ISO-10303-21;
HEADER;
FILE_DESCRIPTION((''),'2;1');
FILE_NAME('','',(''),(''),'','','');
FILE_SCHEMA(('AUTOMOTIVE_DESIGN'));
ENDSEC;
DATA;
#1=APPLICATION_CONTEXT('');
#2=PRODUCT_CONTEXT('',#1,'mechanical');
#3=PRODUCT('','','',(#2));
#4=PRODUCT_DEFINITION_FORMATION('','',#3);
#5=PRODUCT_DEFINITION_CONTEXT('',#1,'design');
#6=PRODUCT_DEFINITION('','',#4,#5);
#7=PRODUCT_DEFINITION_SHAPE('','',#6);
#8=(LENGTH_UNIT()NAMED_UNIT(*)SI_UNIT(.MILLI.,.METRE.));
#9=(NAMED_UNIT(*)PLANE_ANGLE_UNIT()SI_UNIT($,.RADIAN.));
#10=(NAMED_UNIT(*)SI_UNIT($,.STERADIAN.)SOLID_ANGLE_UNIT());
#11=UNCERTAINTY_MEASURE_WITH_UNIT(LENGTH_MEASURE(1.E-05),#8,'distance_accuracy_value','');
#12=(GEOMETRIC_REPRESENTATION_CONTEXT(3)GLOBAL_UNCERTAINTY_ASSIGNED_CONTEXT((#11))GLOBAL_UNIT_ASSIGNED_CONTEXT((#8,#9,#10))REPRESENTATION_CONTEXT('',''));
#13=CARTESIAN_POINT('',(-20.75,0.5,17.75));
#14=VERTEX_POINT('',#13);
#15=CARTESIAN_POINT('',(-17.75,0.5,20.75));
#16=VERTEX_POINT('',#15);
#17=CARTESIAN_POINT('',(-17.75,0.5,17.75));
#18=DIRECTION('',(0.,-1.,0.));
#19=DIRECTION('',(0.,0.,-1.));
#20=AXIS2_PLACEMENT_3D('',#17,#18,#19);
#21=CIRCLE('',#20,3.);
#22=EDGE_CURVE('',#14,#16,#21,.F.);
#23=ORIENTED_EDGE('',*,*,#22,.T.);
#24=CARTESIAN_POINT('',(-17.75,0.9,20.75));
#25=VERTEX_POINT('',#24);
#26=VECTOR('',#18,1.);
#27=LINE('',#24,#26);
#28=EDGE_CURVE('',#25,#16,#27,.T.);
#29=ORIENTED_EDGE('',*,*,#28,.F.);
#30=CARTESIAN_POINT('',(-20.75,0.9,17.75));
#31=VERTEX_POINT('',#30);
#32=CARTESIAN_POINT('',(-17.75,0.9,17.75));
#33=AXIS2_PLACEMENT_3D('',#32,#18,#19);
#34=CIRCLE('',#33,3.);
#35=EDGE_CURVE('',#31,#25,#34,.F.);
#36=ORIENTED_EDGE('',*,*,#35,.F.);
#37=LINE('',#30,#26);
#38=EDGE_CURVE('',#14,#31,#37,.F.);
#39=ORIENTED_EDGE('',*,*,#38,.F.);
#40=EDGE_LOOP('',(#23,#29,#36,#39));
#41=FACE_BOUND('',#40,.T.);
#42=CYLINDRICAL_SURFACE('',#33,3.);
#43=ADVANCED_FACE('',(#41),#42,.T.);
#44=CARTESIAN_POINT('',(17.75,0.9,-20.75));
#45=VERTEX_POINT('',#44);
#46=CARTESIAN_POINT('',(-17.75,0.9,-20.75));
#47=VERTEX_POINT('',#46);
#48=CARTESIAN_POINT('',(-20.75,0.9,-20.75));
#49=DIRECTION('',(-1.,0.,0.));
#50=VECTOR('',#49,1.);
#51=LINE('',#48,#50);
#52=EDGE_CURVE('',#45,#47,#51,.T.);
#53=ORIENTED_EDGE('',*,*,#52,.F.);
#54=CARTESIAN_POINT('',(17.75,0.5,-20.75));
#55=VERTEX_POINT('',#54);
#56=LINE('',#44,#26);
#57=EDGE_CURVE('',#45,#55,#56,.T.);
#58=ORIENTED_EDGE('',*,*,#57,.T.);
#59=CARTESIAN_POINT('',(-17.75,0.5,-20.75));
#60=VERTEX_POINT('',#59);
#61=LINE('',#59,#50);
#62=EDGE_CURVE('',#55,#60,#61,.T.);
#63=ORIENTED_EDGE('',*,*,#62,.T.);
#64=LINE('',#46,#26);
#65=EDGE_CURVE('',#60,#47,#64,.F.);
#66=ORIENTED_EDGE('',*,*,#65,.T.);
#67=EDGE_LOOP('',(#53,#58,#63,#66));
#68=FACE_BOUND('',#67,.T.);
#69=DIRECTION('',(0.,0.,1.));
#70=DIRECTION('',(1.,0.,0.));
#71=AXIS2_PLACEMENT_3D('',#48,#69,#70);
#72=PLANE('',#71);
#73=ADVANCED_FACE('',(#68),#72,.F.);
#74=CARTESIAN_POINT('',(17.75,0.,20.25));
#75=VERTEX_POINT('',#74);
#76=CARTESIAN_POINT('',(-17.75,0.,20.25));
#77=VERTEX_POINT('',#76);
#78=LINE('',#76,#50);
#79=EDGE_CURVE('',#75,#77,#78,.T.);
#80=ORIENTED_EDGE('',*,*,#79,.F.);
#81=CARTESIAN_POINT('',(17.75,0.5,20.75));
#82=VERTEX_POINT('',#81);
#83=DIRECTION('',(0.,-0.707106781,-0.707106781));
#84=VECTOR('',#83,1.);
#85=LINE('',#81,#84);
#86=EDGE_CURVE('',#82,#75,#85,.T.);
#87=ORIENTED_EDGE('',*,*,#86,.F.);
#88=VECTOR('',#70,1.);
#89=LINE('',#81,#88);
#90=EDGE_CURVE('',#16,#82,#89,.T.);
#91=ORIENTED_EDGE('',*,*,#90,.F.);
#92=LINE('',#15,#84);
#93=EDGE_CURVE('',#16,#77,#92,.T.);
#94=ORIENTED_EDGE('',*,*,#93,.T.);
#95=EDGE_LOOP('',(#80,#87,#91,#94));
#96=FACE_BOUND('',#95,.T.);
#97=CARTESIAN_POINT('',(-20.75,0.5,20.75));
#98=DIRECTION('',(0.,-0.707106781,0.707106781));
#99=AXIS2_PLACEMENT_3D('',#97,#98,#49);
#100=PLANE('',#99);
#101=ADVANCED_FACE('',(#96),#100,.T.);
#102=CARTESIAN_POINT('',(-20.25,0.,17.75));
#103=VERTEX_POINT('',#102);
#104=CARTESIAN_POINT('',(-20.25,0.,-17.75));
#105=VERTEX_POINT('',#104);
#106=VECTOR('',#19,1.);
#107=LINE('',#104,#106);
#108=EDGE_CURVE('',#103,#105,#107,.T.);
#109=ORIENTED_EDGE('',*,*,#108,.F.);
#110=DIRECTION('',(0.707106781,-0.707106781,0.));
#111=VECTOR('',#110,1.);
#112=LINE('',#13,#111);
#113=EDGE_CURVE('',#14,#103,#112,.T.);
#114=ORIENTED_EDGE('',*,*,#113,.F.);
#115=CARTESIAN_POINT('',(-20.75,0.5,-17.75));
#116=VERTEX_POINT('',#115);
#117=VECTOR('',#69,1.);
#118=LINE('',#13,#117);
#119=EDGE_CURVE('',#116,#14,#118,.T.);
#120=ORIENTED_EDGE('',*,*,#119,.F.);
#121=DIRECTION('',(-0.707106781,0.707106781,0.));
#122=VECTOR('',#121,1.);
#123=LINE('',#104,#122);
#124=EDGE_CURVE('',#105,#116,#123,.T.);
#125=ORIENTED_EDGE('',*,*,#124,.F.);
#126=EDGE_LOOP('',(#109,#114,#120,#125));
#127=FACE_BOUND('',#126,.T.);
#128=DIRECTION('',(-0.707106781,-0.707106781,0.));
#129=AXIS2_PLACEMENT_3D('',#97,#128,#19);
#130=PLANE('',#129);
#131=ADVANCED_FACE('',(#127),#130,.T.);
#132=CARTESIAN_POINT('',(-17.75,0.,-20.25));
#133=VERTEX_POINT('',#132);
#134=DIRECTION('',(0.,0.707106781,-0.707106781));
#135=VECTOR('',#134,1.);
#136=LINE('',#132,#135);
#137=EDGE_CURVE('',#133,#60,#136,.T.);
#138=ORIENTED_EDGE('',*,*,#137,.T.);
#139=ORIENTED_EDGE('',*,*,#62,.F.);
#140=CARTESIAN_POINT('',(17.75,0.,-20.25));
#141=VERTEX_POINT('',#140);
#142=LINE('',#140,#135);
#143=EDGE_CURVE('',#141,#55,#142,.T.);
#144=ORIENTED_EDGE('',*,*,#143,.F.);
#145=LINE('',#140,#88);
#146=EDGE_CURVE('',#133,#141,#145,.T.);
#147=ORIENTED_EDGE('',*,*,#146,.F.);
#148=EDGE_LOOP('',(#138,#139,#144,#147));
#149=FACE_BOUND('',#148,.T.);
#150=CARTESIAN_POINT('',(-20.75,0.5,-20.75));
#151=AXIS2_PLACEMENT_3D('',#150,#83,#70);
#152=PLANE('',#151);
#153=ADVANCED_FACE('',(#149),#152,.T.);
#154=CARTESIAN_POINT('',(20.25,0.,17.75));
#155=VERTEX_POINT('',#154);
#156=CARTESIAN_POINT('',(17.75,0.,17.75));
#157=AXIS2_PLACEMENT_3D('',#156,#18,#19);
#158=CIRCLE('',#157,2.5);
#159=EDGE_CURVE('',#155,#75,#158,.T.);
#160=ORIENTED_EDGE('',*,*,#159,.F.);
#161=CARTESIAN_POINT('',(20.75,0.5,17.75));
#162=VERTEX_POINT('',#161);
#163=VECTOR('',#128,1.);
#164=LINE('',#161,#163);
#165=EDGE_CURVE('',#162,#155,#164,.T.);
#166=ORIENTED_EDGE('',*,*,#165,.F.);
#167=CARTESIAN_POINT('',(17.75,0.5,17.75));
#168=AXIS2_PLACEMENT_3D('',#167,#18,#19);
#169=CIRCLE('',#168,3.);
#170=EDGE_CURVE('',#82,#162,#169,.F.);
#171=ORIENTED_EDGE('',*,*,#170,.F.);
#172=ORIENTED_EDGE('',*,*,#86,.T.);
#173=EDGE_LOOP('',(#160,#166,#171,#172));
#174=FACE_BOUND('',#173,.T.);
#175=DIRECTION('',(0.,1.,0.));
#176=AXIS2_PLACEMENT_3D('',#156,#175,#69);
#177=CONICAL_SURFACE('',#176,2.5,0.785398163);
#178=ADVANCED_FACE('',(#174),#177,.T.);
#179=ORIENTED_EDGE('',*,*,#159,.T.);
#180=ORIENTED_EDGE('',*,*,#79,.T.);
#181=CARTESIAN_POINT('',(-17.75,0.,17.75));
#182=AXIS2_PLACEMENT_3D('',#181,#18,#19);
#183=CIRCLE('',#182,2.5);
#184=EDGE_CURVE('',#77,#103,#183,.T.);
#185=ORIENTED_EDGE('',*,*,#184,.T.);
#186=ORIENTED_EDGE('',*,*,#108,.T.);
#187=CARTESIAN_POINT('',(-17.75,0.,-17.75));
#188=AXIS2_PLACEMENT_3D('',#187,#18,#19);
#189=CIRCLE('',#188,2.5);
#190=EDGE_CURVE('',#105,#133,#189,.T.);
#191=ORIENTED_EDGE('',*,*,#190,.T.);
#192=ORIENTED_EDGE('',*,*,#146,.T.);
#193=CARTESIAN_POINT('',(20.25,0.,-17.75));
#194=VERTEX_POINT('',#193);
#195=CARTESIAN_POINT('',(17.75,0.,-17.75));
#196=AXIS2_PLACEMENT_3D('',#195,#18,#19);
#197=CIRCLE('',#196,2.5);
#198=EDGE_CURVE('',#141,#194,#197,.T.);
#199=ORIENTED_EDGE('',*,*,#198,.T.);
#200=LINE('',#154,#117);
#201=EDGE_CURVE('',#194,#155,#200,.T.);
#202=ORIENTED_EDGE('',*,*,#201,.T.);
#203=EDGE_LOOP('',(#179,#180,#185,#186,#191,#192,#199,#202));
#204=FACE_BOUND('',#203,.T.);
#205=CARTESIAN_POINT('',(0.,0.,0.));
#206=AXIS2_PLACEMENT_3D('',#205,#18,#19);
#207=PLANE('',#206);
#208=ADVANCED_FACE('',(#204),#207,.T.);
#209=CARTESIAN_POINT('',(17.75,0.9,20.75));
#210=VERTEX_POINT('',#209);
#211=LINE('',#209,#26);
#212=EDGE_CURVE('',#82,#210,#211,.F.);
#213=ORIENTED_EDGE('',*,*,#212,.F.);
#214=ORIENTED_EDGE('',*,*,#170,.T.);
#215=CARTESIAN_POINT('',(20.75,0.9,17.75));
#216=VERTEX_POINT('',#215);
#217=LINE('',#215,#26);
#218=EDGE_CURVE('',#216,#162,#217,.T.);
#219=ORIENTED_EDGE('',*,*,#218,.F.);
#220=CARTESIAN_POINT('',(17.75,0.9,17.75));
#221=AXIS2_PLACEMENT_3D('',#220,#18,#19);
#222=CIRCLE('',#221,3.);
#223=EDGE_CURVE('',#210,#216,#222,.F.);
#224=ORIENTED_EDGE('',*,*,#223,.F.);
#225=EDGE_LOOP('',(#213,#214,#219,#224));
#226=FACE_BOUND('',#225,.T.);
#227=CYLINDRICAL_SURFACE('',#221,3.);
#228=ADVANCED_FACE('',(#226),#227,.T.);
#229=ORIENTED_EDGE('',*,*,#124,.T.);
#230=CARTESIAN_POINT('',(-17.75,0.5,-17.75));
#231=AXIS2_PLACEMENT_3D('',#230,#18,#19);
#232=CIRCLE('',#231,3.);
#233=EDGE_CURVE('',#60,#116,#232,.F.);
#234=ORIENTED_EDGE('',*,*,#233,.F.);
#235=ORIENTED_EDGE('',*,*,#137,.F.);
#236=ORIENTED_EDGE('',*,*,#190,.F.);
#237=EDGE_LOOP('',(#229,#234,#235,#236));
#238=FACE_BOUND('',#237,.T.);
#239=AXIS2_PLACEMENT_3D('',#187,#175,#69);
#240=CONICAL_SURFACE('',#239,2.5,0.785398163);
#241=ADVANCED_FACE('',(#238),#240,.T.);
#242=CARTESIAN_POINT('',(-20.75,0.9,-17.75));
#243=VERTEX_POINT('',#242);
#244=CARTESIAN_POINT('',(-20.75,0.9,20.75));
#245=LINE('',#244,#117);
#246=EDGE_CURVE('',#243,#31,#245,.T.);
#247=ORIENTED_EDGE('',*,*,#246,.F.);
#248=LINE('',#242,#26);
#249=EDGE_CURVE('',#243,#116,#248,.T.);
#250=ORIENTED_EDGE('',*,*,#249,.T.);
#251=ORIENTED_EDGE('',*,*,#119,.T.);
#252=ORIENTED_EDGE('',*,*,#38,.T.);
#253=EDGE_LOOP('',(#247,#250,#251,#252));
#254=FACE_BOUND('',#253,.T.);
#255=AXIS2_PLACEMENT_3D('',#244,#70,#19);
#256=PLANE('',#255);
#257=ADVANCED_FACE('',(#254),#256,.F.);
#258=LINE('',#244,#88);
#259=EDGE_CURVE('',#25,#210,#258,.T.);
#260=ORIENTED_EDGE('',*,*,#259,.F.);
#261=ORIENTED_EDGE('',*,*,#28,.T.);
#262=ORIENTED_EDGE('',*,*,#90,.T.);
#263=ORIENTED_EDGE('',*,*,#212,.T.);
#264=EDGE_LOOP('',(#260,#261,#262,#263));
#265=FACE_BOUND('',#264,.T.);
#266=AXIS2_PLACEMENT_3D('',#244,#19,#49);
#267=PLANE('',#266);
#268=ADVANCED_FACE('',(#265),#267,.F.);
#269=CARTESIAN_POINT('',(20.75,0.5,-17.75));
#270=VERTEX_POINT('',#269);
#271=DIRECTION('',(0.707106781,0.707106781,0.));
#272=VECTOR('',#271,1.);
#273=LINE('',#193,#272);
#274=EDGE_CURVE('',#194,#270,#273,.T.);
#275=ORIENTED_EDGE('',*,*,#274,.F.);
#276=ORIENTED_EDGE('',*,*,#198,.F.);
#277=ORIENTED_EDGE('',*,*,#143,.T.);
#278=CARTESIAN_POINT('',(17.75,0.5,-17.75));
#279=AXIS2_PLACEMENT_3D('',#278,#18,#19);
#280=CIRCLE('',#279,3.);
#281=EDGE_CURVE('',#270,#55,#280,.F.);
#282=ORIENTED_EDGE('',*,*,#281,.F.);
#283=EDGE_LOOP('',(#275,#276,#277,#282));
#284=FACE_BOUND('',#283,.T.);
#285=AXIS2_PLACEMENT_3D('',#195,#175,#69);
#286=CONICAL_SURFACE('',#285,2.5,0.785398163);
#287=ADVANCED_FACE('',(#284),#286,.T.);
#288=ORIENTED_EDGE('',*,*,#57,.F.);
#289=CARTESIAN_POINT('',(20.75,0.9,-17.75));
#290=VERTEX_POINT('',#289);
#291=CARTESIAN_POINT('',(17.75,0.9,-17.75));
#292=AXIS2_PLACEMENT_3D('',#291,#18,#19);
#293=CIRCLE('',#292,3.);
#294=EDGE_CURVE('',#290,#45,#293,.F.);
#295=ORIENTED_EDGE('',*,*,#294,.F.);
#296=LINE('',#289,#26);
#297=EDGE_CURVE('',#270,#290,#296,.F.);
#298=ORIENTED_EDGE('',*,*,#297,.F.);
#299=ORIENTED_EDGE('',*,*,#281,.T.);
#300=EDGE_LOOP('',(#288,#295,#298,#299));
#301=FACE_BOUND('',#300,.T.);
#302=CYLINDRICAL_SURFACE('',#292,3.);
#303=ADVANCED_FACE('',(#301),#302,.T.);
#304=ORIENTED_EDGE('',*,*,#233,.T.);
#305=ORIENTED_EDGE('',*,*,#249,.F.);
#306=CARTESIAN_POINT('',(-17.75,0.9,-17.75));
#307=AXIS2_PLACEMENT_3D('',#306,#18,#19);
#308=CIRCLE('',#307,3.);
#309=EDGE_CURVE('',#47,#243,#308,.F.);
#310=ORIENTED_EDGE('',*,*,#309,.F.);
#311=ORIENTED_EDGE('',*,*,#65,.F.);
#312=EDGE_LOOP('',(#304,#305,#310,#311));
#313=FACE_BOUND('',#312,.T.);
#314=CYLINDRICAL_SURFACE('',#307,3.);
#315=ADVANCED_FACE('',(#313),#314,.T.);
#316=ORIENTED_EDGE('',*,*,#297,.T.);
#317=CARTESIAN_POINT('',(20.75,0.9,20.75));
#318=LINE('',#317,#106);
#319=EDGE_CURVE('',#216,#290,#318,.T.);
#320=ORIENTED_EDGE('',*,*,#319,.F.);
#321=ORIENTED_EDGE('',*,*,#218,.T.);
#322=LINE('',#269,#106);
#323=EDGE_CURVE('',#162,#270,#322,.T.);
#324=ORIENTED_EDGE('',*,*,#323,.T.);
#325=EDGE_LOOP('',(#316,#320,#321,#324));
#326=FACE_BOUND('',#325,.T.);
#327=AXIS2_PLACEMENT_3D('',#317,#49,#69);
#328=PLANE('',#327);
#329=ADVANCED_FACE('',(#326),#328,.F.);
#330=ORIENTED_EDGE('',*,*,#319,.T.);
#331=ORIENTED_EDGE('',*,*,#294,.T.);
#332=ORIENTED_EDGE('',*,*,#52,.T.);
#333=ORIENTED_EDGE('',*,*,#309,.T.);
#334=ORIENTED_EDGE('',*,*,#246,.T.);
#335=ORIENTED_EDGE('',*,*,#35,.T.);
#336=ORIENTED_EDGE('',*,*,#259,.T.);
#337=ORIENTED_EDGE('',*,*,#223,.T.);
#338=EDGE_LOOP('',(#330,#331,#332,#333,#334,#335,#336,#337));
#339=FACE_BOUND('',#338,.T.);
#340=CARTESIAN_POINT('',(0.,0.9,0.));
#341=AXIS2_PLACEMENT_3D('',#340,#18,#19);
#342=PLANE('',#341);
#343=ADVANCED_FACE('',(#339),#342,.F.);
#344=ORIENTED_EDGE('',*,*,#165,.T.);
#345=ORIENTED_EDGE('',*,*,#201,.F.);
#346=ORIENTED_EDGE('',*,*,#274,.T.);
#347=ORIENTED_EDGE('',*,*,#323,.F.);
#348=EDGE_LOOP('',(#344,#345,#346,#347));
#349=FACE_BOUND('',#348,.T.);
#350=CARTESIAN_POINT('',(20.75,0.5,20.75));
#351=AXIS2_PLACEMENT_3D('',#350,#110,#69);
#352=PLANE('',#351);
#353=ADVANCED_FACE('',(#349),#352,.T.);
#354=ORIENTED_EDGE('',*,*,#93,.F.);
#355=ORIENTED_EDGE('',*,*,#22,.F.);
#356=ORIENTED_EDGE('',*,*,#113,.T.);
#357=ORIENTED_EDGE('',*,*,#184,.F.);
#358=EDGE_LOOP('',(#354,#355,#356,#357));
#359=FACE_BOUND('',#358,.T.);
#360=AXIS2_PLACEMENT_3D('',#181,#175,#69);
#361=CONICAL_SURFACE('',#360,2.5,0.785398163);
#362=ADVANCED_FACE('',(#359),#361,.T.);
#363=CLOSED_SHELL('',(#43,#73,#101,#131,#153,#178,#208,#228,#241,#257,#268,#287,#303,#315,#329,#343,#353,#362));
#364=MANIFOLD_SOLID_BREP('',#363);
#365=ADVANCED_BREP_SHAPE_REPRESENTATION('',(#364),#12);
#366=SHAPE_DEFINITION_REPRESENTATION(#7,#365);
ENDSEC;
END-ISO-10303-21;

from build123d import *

# Parameters (mm, degrees)
SKETCH_1_W      = 41.5
SKETCH_1_H      = 41.5
EXTRUDE_1_DEPTH = 0.9
FILLET_1_R      = 3
CHAMFER_1_SIZE  = 0.5


with BuildPart() as part:
    # Эскиз1 → Бобышка-Вытянуть1 (new body)
    with BuildSketch(Plane(origin=(0, 0, 0), x_dir=(1, 0, 0), z_dir=(0, 1, 0))):
        Rectangle(SKETCH_1_W, SKETCH_1_H)
    extrude(amount=EXTRUDE_1_DEPTH)

    # Скругление1
    fillet_1_edges = [part.edges().sort_by_distance(p)[0] for p in [
        (20.75, 0.45, 20.75),
        (-20.75, 0.45, 20.75),
        (-20.75, 0.45, -20.75),
        (20.75, 0.45, -20.75),
    ]]
    fillet(fillet_1_edges, radius=FILLET_1_R)

    # Фаска1
    chamfer_1_edges = [part.edges().sort_by_distance(p)[0] for p in [
        (-20.75, 0, 0),
        (20.75, 0, 0),
        (0, 0, 20.75),
        (0, 0, -20.75),
        (19.871320344, 0, 19.871320344),
        (19.871320344, 0, -19.871320344),
        (-19.871320344, 0, 19.871320344),
        (-19.871320344, 0, -19.871320344),
    ]]
    chamfer(chamfer_1_edges, length=CHAMFER_1_SIZE)


solid = part.part
